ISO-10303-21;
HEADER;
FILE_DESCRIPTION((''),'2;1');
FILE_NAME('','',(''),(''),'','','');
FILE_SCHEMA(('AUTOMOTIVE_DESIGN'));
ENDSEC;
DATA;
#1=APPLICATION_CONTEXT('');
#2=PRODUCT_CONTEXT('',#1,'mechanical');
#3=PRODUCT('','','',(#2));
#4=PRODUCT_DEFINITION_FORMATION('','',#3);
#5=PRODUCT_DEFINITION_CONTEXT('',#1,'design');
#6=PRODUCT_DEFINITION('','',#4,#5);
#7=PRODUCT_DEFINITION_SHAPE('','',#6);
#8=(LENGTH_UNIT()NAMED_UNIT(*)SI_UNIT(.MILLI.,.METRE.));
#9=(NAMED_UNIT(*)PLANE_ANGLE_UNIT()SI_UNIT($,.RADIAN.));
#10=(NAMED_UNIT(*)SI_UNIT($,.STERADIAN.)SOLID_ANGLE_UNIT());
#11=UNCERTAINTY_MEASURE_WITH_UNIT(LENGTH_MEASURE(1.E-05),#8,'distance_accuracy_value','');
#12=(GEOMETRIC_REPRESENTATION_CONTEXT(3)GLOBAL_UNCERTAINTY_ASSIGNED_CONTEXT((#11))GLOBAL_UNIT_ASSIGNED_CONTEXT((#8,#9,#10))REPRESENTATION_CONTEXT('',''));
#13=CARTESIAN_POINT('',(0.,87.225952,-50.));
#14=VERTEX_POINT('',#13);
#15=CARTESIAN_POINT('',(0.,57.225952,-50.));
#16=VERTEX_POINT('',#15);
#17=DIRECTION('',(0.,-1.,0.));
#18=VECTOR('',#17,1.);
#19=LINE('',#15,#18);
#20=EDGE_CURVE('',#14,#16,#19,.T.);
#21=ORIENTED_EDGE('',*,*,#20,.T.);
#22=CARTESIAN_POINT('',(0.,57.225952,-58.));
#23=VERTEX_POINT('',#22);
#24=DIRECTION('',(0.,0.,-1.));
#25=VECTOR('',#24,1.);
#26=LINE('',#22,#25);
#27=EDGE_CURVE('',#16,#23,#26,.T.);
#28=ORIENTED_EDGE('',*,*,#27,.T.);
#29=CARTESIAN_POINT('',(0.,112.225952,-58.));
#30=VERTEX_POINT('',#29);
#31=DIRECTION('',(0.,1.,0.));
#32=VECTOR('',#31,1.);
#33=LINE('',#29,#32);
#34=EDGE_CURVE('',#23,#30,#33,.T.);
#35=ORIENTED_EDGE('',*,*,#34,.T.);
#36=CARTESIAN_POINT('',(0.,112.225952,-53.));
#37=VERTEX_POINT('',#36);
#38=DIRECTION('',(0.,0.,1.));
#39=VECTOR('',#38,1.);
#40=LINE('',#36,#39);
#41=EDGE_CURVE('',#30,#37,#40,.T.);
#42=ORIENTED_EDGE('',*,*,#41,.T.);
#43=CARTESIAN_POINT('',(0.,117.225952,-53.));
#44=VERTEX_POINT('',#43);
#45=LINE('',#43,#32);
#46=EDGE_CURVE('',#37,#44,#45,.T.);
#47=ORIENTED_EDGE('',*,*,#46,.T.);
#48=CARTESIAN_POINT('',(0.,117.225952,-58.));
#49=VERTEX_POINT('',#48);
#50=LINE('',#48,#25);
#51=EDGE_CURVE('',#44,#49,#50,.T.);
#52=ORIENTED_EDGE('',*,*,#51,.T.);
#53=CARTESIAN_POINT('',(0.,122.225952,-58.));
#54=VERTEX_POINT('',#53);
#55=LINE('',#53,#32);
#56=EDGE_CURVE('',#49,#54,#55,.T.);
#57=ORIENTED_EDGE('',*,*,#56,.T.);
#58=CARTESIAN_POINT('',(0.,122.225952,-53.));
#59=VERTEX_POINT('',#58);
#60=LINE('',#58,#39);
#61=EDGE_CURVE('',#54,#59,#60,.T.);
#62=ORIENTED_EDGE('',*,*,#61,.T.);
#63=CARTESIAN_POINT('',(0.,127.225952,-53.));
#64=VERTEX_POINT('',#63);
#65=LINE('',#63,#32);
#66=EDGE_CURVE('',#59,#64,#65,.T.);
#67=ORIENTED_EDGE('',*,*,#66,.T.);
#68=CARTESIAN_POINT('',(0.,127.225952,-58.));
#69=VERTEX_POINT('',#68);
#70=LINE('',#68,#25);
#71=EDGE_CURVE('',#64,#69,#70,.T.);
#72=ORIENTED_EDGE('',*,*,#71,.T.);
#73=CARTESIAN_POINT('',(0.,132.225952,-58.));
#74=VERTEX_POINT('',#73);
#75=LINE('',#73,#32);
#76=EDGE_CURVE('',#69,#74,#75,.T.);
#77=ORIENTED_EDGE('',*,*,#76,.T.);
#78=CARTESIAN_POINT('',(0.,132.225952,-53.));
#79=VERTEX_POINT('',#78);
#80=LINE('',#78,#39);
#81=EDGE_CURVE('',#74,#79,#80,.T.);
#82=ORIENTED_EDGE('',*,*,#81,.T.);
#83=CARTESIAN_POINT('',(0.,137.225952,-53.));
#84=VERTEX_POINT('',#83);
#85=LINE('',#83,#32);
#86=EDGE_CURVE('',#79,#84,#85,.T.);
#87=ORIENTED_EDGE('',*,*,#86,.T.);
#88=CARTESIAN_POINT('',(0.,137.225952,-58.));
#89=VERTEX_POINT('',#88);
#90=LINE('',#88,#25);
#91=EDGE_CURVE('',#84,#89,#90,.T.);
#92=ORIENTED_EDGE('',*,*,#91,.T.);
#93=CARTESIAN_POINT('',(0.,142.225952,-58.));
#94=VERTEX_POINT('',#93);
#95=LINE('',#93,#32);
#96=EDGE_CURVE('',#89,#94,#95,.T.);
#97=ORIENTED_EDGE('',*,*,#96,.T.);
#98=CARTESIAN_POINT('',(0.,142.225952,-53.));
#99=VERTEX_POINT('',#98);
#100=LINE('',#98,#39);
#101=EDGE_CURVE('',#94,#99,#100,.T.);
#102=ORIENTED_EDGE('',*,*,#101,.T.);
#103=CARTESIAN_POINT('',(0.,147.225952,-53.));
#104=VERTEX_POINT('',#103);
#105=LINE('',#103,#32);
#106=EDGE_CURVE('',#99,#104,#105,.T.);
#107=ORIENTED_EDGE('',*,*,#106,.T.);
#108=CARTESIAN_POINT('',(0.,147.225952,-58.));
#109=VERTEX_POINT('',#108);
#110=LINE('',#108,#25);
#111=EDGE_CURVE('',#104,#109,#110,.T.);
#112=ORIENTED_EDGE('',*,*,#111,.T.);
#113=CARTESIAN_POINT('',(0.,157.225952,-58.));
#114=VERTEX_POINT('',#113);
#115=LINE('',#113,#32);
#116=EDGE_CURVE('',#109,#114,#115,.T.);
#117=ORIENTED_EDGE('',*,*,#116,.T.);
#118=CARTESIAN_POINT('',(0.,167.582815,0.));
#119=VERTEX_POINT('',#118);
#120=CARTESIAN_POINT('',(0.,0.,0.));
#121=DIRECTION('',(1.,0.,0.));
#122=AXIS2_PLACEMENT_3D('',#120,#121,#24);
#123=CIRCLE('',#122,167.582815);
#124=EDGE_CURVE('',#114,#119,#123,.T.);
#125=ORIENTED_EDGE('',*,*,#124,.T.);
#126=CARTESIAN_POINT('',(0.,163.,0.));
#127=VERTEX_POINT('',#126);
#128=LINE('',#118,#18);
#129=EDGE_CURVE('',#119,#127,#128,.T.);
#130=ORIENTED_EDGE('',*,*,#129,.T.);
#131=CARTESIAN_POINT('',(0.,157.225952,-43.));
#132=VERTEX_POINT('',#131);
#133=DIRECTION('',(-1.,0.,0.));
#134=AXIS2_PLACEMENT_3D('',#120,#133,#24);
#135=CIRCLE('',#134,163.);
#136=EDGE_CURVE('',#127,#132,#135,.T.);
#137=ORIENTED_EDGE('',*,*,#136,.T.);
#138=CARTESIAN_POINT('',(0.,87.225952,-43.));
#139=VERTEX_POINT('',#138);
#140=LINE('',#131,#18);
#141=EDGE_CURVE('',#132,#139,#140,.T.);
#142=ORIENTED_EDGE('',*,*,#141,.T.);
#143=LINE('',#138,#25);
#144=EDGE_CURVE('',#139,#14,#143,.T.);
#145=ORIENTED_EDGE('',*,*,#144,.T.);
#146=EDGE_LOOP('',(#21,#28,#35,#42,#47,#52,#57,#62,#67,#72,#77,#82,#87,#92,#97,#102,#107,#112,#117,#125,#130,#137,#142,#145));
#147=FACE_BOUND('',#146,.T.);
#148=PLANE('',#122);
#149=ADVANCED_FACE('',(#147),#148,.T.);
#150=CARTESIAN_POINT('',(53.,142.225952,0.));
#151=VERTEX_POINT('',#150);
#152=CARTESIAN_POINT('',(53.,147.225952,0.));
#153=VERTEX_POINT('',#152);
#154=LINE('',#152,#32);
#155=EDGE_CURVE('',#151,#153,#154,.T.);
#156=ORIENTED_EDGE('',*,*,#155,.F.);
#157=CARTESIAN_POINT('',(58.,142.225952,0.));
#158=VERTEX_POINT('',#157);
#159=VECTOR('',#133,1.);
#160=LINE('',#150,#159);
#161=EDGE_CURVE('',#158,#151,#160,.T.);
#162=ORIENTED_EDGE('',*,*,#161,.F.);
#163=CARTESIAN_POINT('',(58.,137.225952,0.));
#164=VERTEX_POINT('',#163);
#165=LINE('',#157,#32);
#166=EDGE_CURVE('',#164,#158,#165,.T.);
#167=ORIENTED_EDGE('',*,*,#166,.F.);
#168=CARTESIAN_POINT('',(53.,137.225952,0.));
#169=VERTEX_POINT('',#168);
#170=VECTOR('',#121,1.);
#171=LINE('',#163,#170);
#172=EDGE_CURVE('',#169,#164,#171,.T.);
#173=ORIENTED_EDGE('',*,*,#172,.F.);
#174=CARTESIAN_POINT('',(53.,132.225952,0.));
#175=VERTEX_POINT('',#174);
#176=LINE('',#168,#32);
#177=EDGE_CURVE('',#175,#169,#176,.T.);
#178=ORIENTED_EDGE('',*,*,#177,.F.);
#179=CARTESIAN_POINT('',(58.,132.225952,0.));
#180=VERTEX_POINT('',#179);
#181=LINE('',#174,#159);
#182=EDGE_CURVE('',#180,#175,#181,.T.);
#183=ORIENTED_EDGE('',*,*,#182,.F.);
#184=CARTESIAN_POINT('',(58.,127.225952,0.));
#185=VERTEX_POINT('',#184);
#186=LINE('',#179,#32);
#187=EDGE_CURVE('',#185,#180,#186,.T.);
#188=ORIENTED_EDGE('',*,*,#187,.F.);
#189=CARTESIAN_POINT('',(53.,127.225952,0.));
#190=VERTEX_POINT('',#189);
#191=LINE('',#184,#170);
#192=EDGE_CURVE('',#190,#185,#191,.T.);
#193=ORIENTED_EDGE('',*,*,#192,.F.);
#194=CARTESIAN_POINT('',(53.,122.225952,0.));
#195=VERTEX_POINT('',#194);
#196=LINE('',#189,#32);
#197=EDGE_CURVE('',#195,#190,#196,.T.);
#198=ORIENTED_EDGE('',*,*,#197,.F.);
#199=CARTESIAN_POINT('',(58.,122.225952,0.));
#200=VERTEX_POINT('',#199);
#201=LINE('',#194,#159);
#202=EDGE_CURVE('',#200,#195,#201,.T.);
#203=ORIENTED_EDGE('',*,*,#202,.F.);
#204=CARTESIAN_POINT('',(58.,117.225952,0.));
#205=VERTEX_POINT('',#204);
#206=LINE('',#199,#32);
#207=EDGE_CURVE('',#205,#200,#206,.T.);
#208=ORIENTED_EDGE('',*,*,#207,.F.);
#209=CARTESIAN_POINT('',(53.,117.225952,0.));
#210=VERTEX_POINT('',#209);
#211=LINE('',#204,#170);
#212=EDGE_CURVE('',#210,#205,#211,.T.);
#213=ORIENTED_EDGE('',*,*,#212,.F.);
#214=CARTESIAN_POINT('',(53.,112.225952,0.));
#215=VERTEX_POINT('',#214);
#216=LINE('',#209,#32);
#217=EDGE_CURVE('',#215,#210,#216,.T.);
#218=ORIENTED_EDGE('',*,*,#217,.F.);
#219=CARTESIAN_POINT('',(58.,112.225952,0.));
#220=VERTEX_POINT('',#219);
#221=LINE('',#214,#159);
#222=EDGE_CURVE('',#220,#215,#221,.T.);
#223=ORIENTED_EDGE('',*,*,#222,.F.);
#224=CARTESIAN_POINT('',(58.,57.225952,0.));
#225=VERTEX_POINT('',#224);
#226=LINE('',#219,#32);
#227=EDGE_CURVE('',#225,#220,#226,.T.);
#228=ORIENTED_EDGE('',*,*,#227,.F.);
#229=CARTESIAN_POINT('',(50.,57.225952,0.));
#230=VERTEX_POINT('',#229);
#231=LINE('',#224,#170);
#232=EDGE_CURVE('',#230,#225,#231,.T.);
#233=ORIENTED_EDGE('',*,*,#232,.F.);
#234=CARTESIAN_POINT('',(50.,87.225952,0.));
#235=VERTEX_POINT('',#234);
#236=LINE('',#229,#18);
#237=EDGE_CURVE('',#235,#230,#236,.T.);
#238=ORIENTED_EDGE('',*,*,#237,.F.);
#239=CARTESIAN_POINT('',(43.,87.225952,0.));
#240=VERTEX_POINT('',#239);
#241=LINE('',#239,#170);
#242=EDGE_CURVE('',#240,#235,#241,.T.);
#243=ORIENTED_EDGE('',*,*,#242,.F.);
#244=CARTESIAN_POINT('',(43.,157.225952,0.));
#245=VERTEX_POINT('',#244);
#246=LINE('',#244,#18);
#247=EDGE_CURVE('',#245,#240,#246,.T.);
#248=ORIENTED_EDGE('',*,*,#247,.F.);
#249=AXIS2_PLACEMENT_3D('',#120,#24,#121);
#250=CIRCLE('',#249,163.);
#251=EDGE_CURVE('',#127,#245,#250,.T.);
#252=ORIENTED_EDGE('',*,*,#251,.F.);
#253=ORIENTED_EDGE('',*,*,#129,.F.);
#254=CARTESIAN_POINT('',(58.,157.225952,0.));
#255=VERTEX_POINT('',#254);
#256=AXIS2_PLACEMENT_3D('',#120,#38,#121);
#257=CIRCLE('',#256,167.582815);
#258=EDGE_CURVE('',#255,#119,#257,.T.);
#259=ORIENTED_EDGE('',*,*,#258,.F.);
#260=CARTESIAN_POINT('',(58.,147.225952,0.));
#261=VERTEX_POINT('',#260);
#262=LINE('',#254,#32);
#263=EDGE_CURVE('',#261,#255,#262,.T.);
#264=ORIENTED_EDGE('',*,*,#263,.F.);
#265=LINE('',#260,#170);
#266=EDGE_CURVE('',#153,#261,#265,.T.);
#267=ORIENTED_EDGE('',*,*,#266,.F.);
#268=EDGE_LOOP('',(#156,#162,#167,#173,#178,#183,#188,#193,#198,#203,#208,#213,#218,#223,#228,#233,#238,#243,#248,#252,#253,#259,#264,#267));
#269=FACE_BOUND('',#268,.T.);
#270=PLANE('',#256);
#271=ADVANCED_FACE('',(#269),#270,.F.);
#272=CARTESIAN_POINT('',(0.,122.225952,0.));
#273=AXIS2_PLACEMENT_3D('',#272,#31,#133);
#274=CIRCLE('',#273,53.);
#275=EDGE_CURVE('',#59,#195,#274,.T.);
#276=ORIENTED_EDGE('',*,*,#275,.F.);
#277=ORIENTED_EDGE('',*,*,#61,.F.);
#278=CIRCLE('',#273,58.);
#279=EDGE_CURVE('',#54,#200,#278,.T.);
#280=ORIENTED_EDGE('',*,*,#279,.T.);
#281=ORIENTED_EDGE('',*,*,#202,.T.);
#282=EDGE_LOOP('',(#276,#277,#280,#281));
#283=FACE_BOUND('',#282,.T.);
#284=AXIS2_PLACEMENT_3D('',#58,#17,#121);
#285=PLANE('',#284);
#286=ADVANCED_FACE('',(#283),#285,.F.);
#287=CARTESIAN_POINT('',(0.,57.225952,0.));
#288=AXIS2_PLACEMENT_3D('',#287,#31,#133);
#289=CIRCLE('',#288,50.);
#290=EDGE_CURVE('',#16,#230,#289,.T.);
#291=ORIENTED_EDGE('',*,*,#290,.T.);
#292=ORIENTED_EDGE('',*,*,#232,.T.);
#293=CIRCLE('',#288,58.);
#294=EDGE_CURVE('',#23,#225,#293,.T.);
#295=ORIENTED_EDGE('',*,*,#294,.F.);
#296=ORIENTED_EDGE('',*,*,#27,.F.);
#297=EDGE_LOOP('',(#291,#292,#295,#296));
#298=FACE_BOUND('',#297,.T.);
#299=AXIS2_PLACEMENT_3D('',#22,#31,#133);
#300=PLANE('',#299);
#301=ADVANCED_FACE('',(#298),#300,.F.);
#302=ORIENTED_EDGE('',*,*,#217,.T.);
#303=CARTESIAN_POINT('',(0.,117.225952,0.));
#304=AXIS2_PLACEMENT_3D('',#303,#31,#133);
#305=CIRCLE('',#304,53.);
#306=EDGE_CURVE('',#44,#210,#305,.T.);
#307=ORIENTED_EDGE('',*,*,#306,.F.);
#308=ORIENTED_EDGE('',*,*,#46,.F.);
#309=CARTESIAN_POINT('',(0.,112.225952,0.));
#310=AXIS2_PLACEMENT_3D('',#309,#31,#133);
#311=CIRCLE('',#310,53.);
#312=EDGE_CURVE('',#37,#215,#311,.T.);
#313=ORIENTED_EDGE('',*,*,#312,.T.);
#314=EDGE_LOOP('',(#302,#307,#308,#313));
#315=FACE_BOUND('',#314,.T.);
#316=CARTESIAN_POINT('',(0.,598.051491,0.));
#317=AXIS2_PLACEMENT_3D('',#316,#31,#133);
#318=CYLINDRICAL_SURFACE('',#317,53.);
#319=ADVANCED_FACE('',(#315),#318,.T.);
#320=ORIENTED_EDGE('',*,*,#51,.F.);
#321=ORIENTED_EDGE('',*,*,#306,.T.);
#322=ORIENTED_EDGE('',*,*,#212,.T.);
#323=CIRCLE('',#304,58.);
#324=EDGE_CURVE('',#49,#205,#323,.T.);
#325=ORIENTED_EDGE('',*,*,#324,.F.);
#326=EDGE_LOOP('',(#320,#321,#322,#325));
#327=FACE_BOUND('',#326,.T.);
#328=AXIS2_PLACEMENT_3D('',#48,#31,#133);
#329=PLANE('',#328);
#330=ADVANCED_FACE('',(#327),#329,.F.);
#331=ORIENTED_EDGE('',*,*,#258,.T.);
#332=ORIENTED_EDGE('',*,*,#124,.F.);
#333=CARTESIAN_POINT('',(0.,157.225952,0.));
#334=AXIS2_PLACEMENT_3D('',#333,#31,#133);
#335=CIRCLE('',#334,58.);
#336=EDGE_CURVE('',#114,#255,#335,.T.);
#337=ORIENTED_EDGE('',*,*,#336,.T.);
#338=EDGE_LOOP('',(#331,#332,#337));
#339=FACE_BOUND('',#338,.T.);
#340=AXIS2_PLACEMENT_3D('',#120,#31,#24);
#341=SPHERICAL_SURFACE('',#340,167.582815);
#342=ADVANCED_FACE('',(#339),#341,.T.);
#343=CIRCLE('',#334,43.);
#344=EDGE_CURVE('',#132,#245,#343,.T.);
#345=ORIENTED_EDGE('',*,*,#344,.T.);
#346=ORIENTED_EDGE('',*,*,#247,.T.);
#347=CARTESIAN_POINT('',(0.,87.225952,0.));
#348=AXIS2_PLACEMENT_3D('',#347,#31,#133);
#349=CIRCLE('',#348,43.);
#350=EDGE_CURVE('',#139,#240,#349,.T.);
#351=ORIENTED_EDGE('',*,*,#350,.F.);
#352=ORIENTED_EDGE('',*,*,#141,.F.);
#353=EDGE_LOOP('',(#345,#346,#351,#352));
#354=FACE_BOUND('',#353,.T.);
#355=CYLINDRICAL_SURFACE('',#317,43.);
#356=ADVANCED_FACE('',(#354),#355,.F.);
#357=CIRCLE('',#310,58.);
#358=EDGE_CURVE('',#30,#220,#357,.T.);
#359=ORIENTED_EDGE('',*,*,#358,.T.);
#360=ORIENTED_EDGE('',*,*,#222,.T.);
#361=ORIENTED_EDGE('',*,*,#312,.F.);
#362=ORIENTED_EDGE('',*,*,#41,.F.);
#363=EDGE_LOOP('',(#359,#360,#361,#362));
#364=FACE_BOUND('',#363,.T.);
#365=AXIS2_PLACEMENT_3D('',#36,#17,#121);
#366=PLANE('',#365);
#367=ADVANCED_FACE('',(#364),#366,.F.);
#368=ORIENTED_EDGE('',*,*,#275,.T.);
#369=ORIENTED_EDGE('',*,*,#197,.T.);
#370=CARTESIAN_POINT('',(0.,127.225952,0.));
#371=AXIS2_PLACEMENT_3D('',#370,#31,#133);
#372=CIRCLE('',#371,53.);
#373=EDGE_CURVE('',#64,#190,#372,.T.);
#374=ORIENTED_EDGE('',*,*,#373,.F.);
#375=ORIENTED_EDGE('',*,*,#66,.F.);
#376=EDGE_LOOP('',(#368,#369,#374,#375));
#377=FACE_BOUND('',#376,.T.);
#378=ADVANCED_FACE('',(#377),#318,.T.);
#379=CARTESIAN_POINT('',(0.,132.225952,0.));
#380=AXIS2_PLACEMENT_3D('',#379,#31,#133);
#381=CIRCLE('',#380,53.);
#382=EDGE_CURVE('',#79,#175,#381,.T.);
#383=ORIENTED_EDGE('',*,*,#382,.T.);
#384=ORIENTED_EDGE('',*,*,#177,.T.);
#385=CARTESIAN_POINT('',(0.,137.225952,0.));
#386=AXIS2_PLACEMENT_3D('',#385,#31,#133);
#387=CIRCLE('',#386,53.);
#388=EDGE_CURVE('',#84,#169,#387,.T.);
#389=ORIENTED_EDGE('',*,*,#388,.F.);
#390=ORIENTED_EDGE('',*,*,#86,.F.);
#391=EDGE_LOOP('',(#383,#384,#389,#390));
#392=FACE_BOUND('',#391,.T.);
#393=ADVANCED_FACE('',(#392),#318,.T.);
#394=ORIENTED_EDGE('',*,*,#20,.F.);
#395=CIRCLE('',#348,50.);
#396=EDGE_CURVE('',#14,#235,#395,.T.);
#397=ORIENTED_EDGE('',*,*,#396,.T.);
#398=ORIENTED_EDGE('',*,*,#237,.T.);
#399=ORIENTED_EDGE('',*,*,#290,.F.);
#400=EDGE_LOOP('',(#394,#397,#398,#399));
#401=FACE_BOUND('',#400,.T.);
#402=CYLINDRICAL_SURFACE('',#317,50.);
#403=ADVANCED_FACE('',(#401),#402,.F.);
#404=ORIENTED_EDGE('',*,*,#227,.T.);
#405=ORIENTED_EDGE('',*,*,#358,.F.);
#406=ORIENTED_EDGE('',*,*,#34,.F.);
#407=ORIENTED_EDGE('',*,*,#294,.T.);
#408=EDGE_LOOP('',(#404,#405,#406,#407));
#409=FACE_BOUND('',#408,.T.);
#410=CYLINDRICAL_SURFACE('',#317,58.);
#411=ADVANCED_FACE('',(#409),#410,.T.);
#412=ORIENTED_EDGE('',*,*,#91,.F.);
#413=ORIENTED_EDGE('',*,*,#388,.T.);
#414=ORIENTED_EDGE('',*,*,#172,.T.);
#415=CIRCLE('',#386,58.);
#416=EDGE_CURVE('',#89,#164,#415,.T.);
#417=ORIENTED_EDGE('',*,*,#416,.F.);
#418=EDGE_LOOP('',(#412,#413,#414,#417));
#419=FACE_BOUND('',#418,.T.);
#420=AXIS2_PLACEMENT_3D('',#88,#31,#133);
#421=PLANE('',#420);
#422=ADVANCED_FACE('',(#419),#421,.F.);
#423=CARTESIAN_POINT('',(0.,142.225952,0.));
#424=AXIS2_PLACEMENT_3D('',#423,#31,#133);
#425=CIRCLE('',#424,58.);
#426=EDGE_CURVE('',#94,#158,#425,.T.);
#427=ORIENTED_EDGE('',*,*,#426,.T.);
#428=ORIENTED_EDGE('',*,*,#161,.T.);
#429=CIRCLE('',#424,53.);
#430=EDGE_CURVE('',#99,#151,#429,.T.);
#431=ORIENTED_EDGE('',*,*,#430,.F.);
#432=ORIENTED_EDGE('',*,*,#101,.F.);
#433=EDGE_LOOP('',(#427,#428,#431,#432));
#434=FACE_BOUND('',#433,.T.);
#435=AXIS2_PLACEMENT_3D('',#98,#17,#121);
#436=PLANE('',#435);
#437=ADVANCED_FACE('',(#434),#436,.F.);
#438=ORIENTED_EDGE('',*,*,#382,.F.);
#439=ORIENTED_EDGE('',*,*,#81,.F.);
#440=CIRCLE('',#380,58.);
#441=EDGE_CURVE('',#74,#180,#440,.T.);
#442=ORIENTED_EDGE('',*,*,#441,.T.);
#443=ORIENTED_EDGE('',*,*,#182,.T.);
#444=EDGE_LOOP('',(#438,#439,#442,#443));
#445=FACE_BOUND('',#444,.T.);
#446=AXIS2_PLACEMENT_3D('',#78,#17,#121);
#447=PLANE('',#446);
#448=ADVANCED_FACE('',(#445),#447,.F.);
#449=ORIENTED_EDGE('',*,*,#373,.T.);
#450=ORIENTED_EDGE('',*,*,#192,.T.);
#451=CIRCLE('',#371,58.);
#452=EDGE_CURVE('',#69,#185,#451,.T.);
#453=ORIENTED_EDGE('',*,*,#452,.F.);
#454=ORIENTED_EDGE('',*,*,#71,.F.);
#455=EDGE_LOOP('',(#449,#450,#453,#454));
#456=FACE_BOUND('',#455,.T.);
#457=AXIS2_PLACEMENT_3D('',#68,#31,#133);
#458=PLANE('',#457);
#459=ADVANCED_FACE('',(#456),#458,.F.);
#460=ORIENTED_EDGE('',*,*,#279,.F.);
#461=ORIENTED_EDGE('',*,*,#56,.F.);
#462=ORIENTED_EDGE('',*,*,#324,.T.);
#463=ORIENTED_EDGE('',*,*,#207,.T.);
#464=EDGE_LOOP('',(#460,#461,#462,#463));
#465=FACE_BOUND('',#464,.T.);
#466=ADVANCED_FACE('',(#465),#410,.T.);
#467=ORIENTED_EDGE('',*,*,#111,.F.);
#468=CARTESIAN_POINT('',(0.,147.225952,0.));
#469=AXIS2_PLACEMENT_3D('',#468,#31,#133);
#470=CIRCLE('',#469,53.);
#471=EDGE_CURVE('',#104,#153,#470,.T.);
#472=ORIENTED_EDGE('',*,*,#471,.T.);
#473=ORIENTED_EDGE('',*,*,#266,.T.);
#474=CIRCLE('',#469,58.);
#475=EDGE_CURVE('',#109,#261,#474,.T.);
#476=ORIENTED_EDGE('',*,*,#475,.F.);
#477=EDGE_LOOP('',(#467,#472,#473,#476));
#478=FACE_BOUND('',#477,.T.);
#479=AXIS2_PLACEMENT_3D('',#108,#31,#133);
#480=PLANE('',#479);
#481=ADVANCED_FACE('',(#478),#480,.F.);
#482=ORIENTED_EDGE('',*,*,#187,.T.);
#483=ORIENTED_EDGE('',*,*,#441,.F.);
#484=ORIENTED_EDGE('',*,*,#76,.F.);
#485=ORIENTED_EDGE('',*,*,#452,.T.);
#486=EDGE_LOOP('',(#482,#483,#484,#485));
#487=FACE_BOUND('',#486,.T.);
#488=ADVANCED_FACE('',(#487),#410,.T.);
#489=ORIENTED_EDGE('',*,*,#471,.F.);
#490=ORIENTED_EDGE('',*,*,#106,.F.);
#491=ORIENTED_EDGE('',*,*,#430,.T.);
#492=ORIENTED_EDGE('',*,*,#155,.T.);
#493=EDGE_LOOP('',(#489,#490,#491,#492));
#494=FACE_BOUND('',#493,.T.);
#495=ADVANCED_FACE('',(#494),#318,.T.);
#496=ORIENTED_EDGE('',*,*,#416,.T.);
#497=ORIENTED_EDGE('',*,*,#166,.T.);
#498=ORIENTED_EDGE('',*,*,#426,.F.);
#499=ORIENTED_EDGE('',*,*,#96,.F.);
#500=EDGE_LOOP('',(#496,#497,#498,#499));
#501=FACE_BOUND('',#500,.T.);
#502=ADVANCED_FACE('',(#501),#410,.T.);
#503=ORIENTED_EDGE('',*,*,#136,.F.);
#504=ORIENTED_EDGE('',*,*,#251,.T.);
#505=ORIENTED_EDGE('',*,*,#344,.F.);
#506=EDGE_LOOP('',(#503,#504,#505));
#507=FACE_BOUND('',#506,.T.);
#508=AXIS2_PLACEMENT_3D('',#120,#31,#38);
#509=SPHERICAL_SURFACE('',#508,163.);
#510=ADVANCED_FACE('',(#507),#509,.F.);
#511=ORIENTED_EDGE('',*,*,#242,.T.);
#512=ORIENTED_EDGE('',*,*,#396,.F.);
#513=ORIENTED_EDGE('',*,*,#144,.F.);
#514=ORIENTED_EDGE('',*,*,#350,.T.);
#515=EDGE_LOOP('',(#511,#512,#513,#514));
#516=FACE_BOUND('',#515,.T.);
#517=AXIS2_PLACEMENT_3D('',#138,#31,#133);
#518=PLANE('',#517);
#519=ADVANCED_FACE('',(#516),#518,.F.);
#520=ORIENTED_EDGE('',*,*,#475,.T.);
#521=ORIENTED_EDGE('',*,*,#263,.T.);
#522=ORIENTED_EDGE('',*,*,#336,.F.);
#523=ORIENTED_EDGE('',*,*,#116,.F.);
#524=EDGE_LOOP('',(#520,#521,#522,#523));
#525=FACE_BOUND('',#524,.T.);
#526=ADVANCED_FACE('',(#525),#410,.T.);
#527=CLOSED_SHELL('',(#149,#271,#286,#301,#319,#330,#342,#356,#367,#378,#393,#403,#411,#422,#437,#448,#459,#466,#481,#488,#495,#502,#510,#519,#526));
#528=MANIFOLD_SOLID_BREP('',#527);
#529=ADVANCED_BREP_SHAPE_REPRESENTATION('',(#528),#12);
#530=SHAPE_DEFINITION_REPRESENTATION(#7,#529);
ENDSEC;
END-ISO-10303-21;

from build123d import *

# Parameters (mm, degrees)
REVOLVE1_ANGLE = 270


with BuildPart() as part:
    # Sketch1 → Revolve1 (revolve)
    with BuildSketch(Plane.XY):
        with BuildLine():
            Line((0, 167.582815348), (0, 163))
            ThreePointArc((0, 163), (21.692969078, 161.550038974), (43, 157.225952056))
            Line((43, 157.225952056), (43, 87.225952056))
            Line((43, 87.225952056), (50, 87.225952056))
            Line((50, 87.225952056), (50, 57.225952056))
            Line((50, 57.225952056), (58, 57.225952056))
            Line((58, 57.225952056), (58, 112.225952056))
            Line((58, 112.225952056), (53, 112.225952056))
            Line((53, 112.225952056), (53, 117.225952056))
            Line((53, 117.225952056), (58, 117.225952056))
            Line((58, 117.225952056), (58, 122.225952056))
            Line((58, 122.225952056), (53, 122.225952056))
            Line((53, 122.225952056), (53, 127.225952056))
            Line((53, 127.225952056), (58, 127.225952056))
            Line((58, 127.225952056), (58, 132.225952056))
            Line((58, 132.225952056), (53, 132.225952056))
            Line((53, 132.225952056), (53, 137.225952056))
            Line((53, 137.225952056), (58, 137.225952056))
            Line((58, 137.225952056), (58, 142.225952056))
            Line((58, 142.225952056), (53, 142.225952056))
            Line((53, 142.225952056), (53, 147.225952056))
            Line((53, 147.225952056), (58, 147.225952056))
            Line((58, 147.225952056), (58, 157.225952056))
            ThreePointArc((58, 157.225952056), (29.458719495, 164.973282218), (0, 167.582815348))
        make_face()
    revolve(axis=Axis((0, 598.051491246, 0), (0, -1, 0)), revolution_arc=REVOLVE1_ANGLE)


solid = part.part
